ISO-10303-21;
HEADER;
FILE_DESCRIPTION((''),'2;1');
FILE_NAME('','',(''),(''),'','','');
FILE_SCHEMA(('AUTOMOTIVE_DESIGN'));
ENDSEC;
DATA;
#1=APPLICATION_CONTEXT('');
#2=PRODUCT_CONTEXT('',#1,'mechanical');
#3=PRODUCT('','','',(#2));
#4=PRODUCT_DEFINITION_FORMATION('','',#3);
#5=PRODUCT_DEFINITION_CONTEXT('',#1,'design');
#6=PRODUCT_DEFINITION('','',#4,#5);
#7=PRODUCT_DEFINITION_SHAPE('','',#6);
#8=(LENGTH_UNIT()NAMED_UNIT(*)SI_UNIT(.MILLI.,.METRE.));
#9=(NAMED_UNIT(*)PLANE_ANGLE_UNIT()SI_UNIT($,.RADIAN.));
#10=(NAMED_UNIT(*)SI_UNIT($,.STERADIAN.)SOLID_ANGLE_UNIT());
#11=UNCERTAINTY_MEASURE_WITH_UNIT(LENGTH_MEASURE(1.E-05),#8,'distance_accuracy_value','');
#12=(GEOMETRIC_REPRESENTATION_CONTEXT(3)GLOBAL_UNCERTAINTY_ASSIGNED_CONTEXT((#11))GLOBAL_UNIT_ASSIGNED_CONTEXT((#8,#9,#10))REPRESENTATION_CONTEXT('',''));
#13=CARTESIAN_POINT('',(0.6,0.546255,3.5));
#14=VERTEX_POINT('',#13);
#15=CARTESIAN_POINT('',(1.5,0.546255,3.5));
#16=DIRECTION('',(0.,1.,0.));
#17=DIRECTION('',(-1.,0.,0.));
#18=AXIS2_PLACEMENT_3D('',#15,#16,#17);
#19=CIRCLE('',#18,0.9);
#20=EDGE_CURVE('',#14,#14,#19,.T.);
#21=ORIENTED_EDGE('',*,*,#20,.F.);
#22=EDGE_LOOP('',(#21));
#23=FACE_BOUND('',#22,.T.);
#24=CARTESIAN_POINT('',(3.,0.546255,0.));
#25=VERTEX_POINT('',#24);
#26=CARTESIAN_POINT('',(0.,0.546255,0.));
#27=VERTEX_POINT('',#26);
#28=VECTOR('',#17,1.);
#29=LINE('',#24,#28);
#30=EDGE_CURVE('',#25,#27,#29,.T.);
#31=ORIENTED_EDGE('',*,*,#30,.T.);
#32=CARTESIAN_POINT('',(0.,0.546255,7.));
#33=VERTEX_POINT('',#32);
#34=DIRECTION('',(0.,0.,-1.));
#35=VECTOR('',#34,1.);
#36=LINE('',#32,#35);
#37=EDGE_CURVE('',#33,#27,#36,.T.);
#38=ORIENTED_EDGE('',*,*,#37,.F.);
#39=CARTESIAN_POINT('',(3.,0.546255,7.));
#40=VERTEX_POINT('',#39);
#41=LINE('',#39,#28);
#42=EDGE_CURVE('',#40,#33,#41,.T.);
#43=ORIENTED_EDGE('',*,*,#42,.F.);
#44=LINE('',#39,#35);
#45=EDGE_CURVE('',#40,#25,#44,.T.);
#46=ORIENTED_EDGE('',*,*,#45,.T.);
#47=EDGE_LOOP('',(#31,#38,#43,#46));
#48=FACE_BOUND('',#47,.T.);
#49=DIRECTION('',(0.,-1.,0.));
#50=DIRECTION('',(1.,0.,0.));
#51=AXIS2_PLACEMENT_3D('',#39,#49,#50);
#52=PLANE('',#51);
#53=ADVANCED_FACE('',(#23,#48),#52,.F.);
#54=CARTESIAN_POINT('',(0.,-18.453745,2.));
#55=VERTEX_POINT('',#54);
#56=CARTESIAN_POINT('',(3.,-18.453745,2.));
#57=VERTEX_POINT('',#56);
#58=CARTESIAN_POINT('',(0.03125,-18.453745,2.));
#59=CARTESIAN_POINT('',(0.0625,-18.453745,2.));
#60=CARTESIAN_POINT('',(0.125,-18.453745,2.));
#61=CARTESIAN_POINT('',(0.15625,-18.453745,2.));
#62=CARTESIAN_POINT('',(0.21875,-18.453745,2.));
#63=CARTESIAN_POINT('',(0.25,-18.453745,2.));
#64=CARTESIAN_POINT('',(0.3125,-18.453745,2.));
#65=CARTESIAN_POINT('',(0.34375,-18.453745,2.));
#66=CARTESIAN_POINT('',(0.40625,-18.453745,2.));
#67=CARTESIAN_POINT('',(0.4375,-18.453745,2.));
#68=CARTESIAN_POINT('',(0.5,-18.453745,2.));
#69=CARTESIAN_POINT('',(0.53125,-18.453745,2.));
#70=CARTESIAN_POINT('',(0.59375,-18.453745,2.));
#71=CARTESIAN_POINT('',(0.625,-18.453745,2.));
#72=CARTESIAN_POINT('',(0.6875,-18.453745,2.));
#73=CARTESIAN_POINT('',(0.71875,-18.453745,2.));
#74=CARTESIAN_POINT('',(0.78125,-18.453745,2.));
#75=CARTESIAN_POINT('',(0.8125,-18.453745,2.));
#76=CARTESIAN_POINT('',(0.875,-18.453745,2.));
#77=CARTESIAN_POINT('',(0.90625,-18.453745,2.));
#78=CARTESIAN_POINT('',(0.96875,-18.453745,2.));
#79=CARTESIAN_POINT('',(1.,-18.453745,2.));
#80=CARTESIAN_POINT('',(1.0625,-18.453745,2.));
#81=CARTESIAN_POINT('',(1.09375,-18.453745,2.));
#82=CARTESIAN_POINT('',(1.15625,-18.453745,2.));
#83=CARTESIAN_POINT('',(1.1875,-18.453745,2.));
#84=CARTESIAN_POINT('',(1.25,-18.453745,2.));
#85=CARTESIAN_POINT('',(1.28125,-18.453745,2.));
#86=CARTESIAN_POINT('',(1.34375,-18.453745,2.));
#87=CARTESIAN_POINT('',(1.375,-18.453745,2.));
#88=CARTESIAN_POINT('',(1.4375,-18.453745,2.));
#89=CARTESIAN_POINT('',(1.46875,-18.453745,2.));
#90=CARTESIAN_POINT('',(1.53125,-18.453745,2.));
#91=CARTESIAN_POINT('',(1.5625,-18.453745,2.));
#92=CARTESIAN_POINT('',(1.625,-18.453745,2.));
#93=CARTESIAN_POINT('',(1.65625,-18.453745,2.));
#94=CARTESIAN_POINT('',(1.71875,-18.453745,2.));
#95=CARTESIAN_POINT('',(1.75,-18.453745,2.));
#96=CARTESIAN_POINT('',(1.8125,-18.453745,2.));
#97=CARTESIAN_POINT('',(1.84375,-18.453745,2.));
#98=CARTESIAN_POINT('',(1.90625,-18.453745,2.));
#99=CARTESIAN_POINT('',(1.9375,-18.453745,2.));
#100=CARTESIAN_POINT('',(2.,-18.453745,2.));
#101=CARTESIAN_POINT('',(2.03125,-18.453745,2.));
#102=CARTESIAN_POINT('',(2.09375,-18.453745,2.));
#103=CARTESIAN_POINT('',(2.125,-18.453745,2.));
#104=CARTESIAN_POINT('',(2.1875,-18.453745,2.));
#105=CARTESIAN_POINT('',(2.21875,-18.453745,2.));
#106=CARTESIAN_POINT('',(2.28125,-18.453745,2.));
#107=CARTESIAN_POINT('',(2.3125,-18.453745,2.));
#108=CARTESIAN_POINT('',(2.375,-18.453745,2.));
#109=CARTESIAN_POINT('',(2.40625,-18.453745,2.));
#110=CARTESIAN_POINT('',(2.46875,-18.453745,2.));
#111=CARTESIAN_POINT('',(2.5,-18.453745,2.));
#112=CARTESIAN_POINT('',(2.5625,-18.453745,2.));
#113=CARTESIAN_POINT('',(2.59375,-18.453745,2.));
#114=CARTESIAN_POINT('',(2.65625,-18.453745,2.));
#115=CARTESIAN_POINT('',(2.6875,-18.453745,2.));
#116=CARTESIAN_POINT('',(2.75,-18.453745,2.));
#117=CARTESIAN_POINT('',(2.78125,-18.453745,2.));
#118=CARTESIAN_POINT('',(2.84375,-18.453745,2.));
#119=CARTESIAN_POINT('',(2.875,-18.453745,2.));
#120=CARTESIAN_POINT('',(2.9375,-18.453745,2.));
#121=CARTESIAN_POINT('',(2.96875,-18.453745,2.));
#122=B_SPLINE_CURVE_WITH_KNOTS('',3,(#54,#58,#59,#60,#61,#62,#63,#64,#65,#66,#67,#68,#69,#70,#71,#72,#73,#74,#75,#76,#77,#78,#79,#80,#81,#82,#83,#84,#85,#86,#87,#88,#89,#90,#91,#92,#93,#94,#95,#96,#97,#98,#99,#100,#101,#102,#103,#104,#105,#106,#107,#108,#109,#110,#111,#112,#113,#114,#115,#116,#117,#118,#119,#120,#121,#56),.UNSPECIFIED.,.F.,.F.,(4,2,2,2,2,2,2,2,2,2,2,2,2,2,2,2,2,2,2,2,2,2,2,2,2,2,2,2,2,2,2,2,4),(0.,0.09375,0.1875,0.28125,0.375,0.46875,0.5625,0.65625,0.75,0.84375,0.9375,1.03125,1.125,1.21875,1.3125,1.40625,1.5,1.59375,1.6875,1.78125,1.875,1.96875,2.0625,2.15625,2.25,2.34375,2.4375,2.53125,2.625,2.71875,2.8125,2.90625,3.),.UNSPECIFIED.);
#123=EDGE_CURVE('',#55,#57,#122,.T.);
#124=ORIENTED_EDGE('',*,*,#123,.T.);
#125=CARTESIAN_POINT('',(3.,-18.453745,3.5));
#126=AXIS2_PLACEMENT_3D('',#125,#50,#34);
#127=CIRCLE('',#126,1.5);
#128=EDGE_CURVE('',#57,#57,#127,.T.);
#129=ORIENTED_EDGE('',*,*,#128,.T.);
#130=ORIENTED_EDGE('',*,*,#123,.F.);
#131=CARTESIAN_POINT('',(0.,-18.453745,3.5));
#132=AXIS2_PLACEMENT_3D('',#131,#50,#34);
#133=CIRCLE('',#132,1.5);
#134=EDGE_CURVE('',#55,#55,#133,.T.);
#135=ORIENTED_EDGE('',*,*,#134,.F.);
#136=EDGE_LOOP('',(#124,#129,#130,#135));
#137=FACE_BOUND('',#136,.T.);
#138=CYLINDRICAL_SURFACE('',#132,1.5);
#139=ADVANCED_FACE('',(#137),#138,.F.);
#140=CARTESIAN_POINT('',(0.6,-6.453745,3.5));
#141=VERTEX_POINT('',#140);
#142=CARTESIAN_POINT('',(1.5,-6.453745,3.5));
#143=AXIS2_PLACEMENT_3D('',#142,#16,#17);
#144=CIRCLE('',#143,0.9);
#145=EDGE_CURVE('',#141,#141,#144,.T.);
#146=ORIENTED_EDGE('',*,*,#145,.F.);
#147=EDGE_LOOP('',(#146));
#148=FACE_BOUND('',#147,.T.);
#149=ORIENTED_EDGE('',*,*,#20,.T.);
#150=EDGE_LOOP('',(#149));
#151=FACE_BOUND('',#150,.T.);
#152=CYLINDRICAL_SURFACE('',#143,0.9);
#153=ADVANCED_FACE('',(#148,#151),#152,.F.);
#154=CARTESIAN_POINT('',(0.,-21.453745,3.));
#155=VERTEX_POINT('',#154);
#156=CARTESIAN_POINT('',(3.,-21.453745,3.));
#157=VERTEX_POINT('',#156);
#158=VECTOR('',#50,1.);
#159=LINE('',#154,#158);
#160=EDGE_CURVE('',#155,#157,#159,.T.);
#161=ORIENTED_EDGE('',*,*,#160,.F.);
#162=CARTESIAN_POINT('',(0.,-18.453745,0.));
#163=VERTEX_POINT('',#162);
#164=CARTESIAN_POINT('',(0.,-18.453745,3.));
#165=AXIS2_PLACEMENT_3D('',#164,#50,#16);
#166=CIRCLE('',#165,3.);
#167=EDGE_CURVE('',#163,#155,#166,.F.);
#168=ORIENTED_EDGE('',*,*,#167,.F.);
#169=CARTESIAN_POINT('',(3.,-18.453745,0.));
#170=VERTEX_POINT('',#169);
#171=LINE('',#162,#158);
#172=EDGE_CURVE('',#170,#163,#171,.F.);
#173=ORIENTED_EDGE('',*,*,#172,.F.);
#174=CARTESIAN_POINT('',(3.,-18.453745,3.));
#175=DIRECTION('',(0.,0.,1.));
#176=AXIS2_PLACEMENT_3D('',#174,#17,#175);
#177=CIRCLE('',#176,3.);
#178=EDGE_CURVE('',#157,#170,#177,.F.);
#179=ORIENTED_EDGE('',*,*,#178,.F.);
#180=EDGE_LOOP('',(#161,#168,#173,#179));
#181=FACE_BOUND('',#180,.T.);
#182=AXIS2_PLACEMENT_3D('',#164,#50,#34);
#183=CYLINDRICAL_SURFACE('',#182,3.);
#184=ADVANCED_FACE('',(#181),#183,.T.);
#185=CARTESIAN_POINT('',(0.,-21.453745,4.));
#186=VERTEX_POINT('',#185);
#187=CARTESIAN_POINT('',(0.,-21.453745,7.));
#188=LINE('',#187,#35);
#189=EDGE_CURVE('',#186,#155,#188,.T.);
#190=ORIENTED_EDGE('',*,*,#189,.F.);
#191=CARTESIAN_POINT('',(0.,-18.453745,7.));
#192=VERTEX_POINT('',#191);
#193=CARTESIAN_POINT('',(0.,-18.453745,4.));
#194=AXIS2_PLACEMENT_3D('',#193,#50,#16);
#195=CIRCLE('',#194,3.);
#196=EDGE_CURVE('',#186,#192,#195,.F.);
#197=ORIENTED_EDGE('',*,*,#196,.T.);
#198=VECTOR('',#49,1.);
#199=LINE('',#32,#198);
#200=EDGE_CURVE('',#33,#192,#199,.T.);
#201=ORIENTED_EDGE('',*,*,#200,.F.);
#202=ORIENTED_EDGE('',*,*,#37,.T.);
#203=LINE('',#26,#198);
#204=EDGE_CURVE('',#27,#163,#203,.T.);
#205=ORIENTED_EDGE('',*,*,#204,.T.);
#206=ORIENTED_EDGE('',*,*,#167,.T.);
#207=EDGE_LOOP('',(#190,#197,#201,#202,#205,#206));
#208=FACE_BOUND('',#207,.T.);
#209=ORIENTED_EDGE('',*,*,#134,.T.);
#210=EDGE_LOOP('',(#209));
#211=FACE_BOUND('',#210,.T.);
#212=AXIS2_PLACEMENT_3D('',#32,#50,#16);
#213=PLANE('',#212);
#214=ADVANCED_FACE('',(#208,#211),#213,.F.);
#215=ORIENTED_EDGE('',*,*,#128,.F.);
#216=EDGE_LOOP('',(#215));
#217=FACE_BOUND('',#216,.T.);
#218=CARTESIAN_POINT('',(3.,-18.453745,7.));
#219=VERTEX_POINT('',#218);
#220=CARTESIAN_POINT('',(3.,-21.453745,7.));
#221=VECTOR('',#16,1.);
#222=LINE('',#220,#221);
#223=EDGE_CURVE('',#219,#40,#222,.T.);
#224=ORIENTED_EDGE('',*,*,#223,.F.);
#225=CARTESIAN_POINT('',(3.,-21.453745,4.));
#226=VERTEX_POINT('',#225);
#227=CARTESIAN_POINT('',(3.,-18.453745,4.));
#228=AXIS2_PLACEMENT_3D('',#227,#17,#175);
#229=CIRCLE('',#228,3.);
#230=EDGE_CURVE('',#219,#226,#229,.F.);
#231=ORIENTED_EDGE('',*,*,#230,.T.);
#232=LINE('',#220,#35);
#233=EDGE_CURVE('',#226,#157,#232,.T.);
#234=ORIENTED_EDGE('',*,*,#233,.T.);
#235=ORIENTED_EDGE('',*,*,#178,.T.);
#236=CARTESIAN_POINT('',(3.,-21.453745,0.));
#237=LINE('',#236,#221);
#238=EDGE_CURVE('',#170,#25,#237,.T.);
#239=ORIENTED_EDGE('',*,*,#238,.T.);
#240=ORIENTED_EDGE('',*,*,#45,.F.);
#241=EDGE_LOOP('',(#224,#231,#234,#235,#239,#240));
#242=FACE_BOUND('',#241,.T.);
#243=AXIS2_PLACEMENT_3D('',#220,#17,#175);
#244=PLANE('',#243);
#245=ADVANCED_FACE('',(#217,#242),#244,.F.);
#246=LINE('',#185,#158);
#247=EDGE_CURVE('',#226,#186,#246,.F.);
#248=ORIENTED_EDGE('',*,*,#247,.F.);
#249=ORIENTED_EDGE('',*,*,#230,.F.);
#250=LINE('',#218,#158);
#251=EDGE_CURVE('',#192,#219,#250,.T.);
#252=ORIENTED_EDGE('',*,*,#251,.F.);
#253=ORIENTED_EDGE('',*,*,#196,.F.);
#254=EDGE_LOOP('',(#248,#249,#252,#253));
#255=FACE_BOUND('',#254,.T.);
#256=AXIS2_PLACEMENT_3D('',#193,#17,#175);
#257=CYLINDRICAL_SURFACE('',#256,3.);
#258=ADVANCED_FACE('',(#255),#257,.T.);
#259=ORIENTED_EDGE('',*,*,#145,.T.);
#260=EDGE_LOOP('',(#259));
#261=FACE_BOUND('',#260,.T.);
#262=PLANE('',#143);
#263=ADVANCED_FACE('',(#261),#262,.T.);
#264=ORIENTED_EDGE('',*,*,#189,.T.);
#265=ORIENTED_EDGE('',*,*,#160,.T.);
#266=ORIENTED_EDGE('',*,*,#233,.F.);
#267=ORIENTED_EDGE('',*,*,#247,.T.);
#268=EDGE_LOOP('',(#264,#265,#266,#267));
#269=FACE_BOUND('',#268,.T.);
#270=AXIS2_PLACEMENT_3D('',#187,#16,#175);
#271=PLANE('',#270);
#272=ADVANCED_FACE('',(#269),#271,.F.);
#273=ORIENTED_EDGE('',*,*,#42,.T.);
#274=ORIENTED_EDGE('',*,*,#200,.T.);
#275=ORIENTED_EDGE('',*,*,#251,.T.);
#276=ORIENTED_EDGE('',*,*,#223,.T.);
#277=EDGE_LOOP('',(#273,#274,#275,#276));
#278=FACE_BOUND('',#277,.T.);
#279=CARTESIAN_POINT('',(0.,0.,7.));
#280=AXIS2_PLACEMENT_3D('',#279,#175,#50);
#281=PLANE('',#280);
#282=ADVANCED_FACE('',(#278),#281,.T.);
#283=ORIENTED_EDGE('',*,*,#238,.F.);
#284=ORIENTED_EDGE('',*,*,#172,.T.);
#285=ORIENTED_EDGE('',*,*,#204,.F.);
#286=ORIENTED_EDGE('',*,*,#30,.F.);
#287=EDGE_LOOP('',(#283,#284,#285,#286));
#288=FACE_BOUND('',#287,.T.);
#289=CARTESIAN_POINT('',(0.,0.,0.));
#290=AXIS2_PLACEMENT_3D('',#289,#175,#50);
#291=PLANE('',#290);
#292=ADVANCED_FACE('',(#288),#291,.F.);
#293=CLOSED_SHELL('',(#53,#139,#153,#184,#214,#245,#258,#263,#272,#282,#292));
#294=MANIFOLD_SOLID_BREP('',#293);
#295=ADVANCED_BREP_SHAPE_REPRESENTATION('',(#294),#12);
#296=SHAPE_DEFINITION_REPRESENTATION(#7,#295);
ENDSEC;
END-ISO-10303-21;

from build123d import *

# Parameters (mm, degrees)
SKETCH_1_W          = 3
SKETCH_1_H          = 22
EXTRUDE_1_DEPTH     = 7
SKETCH_4_R          = 1.5
CUT_EXTRUDE_2_DEPTH = 23.765394656
FILLET_1_R          = 3
SKETCH_3_R          = 0.9
CUT_EXTRUDE_4_DEPTH = 7


with BuildPart() as part:
    # 草图1 → 凸台-拉伸1 (new body)
    with BuildSketch(Plane.XY):
        with Locations((1.5, -10.453745451)):
            Rectangle(SKETCH_1_W, SKETCH_1_H)
    extrude(amount=EXTRUDE_1_DEPTH)

    # 草图4 → 切除-拉伸2 (cut, through all)
    with BuildSketch(Plane(origin=(3, 0, 0), x_dir=(0, 0, -1), z_dir=(1, 0, 0))):
        with Locations((-3.5, -18.453745451)):
            Circle(SKETCH_4_R)
    extrude(amount=-CUT_EXTRUDE_2_DEPTH, mode=Mode.SUBTRACT)

    # 圆角1
    fillet_1_edges = [part.edges().sort_by_distance(p)[0] for p in [
        (1.5, -21.453745451, 7),
        (1.5, -21.453745451, 0),
    ]]
    fillet(fillet_1_edges, radius=FILLET_1_R)

    # 草图3 → 切除-拉伸4 (cut)
    with BuildSketch(Plane(origin=(0, 0.546254549, 0), x_dir=(1, 0, 0), z_dir=(0, 1, 0))):
        with Locations(Location((1.5, -3.5, 0), (0, 0, 180))):
            Circle(SKETCH_3_R)
    extrude(amount=-CUT_EXTRUDE_4_DEPTH, mode=Mode.SUBTRACT)


solid = part.part
